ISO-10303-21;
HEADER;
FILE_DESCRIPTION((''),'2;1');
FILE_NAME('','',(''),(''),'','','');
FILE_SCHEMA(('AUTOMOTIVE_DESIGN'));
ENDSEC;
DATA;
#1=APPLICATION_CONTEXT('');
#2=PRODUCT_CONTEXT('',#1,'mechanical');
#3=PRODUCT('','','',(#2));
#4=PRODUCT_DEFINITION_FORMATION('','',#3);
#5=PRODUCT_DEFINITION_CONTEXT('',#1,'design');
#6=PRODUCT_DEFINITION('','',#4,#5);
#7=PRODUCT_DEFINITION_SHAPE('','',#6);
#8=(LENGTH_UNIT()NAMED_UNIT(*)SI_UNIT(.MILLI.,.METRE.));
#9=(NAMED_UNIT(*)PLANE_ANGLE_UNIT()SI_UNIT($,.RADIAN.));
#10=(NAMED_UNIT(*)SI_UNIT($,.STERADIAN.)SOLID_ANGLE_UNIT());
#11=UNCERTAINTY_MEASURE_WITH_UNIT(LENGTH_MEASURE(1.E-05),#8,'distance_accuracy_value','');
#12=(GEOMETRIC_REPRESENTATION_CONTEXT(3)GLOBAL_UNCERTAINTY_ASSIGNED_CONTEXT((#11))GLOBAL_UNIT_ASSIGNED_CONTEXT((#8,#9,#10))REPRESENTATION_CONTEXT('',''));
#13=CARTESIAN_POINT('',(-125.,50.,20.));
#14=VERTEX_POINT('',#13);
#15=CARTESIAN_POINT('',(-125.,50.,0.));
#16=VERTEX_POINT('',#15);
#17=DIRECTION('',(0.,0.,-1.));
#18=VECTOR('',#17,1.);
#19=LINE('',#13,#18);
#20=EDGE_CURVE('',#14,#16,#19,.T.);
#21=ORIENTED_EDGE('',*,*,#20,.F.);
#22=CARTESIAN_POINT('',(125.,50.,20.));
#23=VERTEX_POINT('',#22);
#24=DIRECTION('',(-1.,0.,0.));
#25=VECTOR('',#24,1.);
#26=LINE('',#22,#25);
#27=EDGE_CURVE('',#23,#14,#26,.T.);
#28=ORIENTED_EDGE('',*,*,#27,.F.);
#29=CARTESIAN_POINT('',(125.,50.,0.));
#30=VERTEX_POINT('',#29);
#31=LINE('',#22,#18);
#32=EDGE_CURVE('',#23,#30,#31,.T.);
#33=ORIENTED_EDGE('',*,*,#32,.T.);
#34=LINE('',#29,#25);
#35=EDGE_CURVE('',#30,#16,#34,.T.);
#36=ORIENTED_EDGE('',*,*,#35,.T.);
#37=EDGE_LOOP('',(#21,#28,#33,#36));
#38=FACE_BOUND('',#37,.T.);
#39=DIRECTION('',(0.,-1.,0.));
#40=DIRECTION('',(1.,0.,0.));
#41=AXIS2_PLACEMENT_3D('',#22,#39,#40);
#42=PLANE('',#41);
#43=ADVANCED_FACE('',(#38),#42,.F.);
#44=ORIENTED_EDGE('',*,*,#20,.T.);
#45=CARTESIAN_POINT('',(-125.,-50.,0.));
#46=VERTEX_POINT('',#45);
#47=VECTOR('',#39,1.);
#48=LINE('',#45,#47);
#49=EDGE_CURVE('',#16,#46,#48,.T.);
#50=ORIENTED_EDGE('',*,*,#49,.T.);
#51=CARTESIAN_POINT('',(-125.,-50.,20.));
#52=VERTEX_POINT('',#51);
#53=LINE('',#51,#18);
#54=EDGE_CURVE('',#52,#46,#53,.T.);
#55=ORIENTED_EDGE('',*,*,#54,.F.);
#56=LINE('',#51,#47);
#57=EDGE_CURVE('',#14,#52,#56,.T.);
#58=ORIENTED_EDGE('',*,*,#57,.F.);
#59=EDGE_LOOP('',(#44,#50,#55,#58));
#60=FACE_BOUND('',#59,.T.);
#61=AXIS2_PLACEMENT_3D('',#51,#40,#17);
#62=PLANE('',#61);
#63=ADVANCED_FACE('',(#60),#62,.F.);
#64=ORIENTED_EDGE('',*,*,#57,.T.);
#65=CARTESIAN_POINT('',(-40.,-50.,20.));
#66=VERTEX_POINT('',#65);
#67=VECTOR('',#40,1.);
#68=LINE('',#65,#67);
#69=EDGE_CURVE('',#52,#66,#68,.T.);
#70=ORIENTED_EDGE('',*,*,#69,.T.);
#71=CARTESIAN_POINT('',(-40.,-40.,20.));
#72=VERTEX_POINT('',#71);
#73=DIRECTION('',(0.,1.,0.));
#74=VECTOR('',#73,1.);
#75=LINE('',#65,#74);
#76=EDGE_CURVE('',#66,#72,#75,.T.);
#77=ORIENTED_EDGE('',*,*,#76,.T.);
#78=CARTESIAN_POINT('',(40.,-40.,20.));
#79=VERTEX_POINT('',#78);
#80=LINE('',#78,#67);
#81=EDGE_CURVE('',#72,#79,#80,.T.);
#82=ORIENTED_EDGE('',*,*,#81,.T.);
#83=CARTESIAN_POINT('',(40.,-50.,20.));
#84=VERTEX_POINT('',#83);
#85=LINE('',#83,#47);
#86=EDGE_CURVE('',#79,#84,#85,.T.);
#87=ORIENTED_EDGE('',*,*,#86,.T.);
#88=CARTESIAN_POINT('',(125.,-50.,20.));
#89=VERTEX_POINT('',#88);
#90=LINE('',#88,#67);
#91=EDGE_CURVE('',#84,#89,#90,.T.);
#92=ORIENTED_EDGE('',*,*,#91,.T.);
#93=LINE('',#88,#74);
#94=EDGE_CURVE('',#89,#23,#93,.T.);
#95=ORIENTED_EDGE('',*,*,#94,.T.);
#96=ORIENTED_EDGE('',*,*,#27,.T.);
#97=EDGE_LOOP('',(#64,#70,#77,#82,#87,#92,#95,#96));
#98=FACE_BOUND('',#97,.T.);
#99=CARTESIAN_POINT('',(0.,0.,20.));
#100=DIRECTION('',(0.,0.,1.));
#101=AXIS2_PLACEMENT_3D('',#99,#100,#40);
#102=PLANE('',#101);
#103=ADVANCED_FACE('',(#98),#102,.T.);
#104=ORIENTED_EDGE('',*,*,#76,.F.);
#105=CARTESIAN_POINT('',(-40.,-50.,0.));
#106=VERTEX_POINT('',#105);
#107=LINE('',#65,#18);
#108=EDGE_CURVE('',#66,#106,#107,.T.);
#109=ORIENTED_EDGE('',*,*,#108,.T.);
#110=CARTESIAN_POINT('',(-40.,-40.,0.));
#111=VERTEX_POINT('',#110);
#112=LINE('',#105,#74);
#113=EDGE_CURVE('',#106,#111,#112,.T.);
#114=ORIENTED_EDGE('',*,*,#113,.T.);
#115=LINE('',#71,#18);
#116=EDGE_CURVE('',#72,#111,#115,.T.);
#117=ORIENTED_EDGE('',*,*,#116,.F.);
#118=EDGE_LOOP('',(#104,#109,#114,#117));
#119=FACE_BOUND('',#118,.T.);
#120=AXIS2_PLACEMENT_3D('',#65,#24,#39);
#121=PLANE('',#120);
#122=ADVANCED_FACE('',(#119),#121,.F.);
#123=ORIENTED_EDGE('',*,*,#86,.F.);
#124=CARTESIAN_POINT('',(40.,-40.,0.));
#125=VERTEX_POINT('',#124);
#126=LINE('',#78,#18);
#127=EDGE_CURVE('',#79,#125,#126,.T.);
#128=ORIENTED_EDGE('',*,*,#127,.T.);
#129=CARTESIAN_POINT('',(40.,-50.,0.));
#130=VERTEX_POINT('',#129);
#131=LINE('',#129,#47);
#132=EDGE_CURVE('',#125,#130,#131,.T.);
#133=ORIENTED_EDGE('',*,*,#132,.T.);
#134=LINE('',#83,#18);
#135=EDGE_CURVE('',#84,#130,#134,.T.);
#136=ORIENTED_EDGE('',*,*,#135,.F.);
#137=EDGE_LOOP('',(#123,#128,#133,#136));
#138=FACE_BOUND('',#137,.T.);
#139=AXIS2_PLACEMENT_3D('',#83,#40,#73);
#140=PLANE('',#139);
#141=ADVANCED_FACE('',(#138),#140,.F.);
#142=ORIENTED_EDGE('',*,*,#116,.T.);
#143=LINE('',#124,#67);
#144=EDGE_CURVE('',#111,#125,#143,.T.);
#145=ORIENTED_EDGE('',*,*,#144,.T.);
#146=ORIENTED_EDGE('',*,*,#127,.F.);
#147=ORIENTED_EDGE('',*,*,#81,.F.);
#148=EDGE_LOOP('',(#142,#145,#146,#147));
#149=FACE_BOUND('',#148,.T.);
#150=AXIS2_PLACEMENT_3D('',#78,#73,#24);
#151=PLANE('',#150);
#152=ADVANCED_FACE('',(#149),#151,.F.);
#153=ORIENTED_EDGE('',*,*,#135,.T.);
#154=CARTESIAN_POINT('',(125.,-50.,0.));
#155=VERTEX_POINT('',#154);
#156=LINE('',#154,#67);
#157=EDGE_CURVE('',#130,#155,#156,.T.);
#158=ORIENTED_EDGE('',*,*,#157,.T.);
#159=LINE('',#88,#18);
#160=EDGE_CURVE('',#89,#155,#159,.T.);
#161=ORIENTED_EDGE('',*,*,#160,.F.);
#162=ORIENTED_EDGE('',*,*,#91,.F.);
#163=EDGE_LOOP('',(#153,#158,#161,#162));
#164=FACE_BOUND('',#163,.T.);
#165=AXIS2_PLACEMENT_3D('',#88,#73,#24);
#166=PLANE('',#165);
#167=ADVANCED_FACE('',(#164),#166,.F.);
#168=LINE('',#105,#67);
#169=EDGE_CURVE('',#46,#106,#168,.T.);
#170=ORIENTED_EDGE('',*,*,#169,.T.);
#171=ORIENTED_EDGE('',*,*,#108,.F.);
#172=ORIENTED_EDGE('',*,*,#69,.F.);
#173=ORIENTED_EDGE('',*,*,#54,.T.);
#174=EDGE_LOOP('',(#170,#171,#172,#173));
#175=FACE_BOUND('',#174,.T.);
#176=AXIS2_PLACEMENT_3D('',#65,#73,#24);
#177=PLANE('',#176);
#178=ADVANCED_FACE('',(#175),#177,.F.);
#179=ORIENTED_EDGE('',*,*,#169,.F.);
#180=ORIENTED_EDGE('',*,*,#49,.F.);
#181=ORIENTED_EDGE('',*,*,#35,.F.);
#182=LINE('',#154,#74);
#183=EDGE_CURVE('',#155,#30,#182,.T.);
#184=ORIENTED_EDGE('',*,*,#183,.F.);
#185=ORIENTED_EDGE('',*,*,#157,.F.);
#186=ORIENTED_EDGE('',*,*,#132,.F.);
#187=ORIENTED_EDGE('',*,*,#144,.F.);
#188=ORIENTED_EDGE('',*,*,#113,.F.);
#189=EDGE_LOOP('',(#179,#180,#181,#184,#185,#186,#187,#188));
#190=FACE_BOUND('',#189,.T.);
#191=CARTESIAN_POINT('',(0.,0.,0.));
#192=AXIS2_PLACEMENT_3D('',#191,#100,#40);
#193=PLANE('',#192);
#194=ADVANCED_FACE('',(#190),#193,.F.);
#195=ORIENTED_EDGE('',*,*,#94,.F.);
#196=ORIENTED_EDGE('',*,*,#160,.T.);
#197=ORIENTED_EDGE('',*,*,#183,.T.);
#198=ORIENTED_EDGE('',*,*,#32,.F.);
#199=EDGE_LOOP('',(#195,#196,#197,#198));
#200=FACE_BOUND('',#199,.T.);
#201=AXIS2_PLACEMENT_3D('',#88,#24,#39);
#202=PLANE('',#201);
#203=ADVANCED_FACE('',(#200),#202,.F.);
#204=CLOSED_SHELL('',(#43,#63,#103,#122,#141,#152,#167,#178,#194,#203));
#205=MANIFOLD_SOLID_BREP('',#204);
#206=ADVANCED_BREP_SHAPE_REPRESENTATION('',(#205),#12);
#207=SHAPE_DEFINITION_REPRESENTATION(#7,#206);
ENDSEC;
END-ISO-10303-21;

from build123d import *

# Parameters (mm, degrees)
BOSS_EXTRUDE1_DEPTH = 20


with BuildPart() as part:
    # Sketch1 → Boss-Extrude1 (new body)
    with BuildSketch(Plane.XY):
        Polygon((-40, -50), (-125, -50), (-125, 50), (125, 50), (125, -50), (40, -50), (40, -40), (-40, -40), align=None)
    extrude(amount=BOSS_EXTRUDE1_DEPTH)


solid = part.part
